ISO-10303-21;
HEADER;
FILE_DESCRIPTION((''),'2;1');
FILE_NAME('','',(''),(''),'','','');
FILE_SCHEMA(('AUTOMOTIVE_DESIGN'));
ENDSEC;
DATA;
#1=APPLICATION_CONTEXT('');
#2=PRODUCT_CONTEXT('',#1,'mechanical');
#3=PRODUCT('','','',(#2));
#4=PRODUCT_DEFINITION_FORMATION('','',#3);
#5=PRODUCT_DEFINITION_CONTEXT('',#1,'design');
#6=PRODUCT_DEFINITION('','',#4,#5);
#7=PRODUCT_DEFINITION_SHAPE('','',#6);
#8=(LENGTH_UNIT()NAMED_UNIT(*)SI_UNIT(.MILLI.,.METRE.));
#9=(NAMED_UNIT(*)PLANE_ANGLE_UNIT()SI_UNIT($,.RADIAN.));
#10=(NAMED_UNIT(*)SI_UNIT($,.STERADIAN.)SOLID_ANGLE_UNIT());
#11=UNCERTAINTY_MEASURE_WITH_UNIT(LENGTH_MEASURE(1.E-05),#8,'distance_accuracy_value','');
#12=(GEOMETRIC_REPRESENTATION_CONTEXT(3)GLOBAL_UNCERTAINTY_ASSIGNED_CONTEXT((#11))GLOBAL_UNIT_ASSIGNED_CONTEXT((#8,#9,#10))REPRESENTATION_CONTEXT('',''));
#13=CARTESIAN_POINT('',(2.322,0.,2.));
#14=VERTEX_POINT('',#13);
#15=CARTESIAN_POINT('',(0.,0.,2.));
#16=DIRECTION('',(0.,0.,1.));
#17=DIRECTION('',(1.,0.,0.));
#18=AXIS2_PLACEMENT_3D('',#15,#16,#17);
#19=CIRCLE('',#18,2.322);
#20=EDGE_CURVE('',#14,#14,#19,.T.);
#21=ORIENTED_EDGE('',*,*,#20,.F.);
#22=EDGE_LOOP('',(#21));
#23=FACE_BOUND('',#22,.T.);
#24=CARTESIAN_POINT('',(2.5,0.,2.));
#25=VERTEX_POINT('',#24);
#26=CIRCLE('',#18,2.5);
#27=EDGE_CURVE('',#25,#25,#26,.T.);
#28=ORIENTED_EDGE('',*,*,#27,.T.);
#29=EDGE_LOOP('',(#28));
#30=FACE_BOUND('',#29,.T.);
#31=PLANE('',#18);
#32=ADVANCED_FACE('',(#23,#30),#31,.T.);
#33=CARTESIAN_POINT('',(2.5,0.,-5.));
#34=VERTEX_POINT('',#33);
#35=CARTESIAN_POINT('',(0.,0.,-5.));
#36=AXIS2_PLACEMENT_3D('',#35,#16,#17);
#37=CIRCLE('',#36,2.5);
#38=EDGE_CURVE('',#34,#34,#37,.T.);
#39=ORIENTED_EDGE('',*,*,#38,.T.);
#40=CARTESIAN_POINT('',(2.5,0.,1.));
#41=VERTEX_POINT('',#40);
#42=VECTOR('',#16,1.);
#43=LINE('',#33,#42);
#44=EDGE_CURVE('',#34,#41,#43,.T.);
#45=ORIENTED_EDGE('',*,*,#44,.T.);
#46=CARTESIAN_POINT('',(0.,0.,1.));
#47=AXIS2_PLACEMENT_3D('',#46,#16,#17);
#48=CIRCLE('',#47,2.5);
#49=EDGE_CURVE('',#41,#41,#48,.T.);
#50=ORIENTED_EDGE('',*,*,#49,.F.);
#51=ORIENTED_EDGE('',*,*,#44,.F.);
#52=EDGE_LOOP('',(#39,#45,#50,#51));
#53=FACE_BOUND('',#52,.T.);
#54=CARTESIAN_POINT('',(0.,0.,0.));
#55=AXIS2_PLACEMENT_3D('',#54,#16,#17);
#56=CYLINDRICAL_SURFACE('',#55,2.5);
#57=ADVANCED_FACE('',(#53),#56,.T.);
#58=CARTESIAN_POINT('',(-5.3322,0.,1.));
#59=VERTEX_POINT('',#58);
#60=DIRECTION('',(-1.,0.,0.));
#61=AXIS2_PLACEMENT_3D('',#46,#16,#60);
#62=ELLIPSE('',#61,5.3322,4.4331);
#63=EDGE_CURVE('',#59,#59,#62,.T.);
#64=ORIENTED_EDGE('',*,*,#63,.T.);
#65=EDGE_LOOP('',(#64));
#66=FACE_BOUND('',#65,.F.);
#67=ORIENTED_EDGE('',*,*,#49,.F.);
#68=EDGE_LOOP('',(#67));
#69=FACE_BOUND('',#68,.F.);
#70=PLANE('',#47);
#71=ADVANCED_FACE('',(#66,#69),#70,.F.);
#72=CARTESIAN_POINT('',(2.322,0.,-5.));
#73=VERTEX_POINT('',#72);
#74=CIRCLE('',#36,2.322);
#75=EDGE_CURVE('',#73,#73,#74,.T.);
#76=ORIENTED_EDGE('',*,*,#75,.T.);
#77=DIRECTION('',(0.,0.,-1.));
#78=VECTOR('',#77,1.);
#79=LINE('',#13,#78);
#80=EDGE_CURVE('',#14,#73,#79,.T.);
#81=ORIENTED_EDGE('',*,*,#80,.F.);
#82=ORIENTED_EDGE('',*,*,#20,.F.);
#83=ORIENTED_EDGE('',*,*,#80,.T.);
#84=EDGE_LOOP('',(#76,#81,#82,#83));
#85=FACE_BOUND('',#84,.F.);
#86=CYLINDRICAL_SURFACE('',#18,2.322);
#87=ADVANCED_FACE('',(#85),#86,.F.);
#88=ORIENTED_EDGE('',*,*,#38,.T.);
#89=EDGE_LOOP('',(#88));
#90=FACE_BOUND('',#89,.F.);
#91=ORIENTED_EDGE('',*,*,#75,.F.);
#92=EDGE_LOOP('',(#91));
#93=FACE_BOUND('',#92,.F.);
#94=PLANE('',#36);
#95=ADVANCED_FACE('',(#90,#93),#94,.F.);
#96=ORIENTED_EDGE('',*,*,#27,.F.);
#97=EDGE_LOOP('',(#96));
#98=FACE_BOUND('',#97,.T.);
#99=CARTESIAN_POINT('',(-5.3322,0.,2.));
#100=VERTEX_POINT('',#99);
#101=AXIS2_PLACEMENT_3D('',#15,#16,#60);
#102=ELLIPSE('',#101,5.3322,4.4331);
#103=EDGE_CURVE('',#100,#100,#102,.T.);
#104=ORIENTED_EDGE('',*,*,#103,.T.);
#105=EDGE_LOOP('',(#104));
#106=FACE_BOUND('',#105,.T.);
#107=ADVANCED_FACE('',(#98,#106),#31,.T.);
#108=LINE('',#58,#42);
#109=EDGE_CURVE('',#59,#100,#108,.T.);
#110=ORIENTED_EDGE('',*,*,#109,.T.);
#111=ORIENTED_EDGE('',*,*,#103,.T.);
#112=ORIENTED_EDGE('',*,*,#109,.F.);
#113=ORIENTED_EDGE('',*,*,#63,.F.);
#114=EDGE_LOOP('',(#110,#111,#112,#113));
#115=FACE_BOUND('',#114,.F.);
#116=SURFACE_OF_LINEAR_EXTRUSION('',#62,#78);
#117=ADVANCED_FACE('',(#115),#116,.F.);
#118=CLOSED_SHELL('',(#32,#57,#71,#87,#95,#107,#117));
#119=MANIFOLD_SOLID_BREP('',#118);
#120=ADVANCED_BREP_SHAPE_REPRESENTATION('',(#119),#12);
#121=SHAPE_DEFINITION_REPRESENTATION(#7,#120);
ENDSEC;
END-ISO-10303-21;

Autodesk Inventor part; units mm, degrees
ref_plane "YZ Plane" through (0, 0, 0) normal (1, 0, 0) x (0, 1, 0)
ref_plane "XZ Plane" through (0, 0, 0) normal (0, 1, 0) x (-1, 0, 0)
ref_plane "XY Plane" through (0, 0, 0) normal (0, 0, 1) x (1, 0, 0)
sketch "Sketch1" plane through (0, 0, 0) normal (0, 0, 1) x (1, 0, 0)
  circle A0 centre (0, 0) radius 2.5 projected
  circle A1 centre (0, 0) radius 1.9202
  point P0 (0, 0)
extrude "Extrusion1" add sketch "Sketch1" against normal blind 5
sketch "Sketch2" plane through (0, 0, 0) normal (0, 0, 1) x (1, 0, 0)
  circle A0 centre (0, 0) radius 1.9202 projected
  circle A1 centre (0, 0) radius 2.5 projected
  point P0 (0, 0)
extrude "Extrusion2" add sketch "Sketch2" along normal blind 1
sketch "Sketch3" plane through (0, 0, 1) normal (0, 0, 1) x (1, 0, 0)
  circle A0 centre (0, 0) radius 1.9202 projected
  circle A1 centre (0, 0) radius 2.5 projected
  ellipse E0 centre (0, 0) end of major axis (-5.3322, 0) minor radius 4.4331
  point P0 (0, 0)
extrude "Extrusion3" add sketch "Sketch3" along normal blind 1 contours A1 | E0
sketch "Sketch4" plane through (0, 0, 2) normal (0, 0, 1) x (1, 0, 0)
  circle A0 centre (0, 0) radius 2.322
extrude "Extrusion4" cut sketch "Sketch4" against normal through all
properties part number "Pushfit-adapter-cap"
